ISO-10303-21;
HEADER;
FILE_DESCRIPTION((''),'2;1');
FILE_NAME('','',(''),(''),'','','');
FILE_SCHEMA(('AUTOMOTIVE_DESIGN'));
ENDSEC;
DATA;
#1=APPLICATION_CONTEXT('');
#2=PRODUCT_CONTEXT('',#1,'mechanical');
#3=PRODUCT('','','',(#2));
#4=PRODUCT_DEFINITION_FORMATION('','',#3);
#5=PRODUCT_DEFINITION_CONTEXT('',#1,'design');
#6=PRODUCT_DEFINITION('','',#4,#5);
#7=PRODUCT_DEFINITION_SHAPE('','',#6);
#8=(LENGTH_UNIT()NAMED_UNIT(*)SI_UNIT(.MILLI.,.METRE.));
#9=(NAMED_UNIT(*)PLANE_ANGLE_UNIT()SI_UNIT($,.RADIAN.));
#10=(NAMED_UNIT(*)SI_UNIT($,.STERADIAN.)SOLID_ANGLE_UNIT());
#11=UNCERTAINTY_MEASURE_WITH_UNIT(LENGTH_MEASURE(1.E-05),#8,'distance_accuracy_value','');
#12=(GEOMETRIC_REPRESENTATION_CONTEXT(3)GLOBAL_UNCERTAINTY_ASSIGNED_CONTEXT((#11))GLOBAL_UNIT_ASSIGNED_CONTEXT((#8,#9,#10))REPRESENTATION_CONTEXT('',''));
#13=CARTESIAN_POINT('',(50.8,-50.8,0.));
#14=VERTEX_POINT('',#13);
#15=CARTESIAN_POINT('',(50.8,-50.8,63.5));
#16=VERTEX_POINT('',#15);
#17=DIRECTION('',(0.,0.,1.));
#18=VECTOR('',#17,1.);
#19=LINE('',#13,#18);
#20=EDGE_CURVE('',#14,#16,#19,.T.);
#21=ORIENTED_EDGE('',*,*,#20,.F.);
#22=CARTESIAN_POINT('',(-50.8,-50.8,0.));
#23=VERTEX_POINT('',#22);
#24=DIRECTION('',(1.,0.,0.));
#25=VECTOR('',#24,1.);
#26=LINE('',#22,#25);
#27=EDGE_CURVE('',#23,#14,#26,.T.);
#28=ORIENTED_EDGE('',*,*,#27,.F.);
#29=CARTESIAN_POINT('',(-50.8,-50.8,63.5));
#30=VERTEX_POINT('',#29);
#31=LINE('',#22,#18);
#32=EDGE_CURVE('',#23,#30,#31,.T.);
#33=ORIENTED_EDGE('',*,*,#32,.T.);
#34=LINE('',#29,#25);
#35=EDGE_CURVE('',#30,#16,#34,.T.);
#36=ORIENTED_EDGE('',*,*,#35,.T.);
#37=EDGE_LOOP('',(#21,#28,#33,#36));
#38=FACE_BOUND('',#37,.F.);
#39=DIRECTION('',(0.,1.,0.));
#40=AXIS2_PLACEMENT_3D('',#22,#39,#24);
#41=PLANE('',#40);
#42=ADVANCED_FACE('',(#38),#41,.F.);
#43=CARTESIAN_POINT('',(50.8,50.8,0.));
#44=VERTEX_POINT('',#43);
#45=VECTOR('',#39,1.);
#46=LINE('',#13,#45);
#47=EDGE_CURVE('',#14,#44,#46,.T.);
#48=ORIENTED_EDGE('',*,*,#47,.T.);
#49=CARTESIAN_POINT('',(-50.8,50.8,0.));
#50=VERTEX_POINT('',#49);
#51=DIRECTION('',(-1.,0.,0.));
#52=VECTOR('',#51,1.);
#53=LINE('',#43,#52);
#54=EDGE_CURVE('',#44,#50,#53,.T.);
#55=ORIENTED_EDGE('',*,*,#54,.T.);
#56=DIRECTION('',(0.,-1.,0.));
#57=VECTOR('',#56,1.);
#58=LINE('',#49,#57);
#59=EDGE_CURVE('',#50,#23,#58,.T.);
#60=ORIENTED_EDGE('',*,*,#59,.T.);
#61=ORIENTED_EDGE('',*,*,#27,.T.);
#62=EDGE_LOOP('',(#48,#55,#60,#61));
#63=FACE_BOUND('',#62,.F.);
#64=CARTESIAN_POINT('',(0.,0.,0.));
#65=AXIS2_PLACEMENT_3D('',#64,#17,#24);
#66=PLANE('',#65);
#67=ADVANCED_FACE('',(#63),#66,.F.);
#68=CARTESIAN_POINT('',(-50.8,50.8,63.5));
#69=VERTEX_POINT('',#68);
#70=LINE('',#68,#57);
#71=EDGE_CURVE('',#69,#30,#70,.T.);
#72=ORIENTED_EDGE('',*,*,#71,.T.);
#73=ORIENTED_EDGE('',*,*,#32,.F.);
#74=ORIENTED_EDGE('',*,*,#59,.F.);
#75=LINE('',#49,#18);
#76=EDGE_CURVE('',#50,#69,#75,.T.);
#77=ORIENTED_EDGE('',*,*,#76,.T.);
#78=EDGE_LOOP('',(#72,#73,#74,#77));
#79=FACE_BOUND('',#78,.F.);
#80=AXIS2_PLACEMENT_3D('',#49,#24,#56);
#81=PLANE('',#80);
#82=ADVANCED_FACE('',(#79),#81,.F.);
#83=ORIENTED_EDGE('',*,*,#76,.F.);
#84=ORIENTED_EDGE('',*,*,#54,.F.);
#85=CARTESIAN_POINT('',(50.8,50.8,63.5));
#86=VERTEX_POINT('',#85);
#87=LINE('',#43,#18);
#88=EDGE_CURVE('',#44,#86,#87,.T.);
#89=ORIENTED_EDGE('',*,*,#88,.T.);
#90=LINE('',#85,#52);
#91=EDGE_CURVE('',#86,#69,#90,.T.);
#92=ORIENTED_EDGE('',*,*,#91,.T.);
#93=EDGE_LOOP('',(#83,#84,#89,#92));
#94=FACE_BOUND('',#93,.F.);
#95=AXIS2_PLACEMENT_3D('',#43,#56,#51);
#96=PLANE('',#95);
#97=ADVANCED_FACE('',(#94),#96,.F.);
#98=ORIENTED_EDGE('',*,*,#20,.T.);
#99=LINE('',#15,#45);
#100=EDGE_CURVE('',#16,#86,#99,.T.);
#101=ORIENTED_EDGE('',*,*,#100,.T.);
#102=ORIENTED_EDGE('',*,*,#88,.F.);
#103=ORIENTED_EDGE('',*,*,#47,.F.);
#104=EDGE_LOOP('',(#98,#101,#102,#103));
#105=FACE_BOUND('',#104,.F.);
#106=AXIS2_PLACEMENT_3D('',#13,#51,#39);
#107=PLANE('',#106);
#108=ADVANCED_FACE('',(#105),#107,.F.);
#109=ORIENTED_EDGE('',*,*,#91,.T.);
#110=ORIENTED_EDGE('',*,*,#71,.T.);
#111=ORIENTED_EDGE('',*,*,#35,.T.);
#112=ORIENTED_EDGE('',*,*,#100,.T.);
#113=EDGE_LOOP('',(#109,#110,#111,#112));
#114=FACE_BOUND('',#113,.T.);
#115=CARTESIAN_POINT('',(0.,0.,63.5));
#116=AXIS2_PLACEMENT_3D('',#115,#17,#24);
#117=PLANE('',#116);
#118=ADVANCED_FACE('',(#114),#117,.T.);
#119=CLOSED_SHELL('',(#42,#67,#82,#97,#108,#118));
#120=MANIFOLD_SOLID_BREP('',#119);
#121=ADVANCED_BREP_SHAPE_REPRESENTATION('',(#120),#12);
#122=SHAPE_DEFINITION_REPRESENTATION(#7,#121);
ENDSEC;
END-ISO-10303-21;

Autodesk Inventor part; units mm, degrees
ref_plane "YZ Plane" through (0, 0, 0) normal (1, 0, 0) x (0, 1, 0)
ref_plane "XZ Plane" through (0, 0, 0) normal (0, 1, 0) x (-1, 0, 0)
ref_plane "XY Plane" through (0, 0, 0) normal (0, 0, 1) x (1, 0, 0)
sketch "Sketch1" plane through (0, 0, 0) normal (0, 0, 1) x (1, 0, 0)
  line L0 (-50.8, -50.8) -> (50.8, -50.8)
  line L1 (50.8, -50.8) -> (50.8, 50.8)
  line L2 (50.8, 50.8) -> (-50.8, 50.8)
  line L3 (-50.8, 50.8) -> (-50.8, -50.8)
  line L4 (-50.8, -50.8) -> (50.8, 50.8) construction
  line L5 (50.8, -50.8) -> (-50.8, 50.8) construction
  point P0 (0, 0)
  dimension "d0" = 101.6
  dimension "d1" = 101.6
extrude "Extrusion1" add sketch "Sketch1" along normal blind 63.5
properties part number "outlet"
